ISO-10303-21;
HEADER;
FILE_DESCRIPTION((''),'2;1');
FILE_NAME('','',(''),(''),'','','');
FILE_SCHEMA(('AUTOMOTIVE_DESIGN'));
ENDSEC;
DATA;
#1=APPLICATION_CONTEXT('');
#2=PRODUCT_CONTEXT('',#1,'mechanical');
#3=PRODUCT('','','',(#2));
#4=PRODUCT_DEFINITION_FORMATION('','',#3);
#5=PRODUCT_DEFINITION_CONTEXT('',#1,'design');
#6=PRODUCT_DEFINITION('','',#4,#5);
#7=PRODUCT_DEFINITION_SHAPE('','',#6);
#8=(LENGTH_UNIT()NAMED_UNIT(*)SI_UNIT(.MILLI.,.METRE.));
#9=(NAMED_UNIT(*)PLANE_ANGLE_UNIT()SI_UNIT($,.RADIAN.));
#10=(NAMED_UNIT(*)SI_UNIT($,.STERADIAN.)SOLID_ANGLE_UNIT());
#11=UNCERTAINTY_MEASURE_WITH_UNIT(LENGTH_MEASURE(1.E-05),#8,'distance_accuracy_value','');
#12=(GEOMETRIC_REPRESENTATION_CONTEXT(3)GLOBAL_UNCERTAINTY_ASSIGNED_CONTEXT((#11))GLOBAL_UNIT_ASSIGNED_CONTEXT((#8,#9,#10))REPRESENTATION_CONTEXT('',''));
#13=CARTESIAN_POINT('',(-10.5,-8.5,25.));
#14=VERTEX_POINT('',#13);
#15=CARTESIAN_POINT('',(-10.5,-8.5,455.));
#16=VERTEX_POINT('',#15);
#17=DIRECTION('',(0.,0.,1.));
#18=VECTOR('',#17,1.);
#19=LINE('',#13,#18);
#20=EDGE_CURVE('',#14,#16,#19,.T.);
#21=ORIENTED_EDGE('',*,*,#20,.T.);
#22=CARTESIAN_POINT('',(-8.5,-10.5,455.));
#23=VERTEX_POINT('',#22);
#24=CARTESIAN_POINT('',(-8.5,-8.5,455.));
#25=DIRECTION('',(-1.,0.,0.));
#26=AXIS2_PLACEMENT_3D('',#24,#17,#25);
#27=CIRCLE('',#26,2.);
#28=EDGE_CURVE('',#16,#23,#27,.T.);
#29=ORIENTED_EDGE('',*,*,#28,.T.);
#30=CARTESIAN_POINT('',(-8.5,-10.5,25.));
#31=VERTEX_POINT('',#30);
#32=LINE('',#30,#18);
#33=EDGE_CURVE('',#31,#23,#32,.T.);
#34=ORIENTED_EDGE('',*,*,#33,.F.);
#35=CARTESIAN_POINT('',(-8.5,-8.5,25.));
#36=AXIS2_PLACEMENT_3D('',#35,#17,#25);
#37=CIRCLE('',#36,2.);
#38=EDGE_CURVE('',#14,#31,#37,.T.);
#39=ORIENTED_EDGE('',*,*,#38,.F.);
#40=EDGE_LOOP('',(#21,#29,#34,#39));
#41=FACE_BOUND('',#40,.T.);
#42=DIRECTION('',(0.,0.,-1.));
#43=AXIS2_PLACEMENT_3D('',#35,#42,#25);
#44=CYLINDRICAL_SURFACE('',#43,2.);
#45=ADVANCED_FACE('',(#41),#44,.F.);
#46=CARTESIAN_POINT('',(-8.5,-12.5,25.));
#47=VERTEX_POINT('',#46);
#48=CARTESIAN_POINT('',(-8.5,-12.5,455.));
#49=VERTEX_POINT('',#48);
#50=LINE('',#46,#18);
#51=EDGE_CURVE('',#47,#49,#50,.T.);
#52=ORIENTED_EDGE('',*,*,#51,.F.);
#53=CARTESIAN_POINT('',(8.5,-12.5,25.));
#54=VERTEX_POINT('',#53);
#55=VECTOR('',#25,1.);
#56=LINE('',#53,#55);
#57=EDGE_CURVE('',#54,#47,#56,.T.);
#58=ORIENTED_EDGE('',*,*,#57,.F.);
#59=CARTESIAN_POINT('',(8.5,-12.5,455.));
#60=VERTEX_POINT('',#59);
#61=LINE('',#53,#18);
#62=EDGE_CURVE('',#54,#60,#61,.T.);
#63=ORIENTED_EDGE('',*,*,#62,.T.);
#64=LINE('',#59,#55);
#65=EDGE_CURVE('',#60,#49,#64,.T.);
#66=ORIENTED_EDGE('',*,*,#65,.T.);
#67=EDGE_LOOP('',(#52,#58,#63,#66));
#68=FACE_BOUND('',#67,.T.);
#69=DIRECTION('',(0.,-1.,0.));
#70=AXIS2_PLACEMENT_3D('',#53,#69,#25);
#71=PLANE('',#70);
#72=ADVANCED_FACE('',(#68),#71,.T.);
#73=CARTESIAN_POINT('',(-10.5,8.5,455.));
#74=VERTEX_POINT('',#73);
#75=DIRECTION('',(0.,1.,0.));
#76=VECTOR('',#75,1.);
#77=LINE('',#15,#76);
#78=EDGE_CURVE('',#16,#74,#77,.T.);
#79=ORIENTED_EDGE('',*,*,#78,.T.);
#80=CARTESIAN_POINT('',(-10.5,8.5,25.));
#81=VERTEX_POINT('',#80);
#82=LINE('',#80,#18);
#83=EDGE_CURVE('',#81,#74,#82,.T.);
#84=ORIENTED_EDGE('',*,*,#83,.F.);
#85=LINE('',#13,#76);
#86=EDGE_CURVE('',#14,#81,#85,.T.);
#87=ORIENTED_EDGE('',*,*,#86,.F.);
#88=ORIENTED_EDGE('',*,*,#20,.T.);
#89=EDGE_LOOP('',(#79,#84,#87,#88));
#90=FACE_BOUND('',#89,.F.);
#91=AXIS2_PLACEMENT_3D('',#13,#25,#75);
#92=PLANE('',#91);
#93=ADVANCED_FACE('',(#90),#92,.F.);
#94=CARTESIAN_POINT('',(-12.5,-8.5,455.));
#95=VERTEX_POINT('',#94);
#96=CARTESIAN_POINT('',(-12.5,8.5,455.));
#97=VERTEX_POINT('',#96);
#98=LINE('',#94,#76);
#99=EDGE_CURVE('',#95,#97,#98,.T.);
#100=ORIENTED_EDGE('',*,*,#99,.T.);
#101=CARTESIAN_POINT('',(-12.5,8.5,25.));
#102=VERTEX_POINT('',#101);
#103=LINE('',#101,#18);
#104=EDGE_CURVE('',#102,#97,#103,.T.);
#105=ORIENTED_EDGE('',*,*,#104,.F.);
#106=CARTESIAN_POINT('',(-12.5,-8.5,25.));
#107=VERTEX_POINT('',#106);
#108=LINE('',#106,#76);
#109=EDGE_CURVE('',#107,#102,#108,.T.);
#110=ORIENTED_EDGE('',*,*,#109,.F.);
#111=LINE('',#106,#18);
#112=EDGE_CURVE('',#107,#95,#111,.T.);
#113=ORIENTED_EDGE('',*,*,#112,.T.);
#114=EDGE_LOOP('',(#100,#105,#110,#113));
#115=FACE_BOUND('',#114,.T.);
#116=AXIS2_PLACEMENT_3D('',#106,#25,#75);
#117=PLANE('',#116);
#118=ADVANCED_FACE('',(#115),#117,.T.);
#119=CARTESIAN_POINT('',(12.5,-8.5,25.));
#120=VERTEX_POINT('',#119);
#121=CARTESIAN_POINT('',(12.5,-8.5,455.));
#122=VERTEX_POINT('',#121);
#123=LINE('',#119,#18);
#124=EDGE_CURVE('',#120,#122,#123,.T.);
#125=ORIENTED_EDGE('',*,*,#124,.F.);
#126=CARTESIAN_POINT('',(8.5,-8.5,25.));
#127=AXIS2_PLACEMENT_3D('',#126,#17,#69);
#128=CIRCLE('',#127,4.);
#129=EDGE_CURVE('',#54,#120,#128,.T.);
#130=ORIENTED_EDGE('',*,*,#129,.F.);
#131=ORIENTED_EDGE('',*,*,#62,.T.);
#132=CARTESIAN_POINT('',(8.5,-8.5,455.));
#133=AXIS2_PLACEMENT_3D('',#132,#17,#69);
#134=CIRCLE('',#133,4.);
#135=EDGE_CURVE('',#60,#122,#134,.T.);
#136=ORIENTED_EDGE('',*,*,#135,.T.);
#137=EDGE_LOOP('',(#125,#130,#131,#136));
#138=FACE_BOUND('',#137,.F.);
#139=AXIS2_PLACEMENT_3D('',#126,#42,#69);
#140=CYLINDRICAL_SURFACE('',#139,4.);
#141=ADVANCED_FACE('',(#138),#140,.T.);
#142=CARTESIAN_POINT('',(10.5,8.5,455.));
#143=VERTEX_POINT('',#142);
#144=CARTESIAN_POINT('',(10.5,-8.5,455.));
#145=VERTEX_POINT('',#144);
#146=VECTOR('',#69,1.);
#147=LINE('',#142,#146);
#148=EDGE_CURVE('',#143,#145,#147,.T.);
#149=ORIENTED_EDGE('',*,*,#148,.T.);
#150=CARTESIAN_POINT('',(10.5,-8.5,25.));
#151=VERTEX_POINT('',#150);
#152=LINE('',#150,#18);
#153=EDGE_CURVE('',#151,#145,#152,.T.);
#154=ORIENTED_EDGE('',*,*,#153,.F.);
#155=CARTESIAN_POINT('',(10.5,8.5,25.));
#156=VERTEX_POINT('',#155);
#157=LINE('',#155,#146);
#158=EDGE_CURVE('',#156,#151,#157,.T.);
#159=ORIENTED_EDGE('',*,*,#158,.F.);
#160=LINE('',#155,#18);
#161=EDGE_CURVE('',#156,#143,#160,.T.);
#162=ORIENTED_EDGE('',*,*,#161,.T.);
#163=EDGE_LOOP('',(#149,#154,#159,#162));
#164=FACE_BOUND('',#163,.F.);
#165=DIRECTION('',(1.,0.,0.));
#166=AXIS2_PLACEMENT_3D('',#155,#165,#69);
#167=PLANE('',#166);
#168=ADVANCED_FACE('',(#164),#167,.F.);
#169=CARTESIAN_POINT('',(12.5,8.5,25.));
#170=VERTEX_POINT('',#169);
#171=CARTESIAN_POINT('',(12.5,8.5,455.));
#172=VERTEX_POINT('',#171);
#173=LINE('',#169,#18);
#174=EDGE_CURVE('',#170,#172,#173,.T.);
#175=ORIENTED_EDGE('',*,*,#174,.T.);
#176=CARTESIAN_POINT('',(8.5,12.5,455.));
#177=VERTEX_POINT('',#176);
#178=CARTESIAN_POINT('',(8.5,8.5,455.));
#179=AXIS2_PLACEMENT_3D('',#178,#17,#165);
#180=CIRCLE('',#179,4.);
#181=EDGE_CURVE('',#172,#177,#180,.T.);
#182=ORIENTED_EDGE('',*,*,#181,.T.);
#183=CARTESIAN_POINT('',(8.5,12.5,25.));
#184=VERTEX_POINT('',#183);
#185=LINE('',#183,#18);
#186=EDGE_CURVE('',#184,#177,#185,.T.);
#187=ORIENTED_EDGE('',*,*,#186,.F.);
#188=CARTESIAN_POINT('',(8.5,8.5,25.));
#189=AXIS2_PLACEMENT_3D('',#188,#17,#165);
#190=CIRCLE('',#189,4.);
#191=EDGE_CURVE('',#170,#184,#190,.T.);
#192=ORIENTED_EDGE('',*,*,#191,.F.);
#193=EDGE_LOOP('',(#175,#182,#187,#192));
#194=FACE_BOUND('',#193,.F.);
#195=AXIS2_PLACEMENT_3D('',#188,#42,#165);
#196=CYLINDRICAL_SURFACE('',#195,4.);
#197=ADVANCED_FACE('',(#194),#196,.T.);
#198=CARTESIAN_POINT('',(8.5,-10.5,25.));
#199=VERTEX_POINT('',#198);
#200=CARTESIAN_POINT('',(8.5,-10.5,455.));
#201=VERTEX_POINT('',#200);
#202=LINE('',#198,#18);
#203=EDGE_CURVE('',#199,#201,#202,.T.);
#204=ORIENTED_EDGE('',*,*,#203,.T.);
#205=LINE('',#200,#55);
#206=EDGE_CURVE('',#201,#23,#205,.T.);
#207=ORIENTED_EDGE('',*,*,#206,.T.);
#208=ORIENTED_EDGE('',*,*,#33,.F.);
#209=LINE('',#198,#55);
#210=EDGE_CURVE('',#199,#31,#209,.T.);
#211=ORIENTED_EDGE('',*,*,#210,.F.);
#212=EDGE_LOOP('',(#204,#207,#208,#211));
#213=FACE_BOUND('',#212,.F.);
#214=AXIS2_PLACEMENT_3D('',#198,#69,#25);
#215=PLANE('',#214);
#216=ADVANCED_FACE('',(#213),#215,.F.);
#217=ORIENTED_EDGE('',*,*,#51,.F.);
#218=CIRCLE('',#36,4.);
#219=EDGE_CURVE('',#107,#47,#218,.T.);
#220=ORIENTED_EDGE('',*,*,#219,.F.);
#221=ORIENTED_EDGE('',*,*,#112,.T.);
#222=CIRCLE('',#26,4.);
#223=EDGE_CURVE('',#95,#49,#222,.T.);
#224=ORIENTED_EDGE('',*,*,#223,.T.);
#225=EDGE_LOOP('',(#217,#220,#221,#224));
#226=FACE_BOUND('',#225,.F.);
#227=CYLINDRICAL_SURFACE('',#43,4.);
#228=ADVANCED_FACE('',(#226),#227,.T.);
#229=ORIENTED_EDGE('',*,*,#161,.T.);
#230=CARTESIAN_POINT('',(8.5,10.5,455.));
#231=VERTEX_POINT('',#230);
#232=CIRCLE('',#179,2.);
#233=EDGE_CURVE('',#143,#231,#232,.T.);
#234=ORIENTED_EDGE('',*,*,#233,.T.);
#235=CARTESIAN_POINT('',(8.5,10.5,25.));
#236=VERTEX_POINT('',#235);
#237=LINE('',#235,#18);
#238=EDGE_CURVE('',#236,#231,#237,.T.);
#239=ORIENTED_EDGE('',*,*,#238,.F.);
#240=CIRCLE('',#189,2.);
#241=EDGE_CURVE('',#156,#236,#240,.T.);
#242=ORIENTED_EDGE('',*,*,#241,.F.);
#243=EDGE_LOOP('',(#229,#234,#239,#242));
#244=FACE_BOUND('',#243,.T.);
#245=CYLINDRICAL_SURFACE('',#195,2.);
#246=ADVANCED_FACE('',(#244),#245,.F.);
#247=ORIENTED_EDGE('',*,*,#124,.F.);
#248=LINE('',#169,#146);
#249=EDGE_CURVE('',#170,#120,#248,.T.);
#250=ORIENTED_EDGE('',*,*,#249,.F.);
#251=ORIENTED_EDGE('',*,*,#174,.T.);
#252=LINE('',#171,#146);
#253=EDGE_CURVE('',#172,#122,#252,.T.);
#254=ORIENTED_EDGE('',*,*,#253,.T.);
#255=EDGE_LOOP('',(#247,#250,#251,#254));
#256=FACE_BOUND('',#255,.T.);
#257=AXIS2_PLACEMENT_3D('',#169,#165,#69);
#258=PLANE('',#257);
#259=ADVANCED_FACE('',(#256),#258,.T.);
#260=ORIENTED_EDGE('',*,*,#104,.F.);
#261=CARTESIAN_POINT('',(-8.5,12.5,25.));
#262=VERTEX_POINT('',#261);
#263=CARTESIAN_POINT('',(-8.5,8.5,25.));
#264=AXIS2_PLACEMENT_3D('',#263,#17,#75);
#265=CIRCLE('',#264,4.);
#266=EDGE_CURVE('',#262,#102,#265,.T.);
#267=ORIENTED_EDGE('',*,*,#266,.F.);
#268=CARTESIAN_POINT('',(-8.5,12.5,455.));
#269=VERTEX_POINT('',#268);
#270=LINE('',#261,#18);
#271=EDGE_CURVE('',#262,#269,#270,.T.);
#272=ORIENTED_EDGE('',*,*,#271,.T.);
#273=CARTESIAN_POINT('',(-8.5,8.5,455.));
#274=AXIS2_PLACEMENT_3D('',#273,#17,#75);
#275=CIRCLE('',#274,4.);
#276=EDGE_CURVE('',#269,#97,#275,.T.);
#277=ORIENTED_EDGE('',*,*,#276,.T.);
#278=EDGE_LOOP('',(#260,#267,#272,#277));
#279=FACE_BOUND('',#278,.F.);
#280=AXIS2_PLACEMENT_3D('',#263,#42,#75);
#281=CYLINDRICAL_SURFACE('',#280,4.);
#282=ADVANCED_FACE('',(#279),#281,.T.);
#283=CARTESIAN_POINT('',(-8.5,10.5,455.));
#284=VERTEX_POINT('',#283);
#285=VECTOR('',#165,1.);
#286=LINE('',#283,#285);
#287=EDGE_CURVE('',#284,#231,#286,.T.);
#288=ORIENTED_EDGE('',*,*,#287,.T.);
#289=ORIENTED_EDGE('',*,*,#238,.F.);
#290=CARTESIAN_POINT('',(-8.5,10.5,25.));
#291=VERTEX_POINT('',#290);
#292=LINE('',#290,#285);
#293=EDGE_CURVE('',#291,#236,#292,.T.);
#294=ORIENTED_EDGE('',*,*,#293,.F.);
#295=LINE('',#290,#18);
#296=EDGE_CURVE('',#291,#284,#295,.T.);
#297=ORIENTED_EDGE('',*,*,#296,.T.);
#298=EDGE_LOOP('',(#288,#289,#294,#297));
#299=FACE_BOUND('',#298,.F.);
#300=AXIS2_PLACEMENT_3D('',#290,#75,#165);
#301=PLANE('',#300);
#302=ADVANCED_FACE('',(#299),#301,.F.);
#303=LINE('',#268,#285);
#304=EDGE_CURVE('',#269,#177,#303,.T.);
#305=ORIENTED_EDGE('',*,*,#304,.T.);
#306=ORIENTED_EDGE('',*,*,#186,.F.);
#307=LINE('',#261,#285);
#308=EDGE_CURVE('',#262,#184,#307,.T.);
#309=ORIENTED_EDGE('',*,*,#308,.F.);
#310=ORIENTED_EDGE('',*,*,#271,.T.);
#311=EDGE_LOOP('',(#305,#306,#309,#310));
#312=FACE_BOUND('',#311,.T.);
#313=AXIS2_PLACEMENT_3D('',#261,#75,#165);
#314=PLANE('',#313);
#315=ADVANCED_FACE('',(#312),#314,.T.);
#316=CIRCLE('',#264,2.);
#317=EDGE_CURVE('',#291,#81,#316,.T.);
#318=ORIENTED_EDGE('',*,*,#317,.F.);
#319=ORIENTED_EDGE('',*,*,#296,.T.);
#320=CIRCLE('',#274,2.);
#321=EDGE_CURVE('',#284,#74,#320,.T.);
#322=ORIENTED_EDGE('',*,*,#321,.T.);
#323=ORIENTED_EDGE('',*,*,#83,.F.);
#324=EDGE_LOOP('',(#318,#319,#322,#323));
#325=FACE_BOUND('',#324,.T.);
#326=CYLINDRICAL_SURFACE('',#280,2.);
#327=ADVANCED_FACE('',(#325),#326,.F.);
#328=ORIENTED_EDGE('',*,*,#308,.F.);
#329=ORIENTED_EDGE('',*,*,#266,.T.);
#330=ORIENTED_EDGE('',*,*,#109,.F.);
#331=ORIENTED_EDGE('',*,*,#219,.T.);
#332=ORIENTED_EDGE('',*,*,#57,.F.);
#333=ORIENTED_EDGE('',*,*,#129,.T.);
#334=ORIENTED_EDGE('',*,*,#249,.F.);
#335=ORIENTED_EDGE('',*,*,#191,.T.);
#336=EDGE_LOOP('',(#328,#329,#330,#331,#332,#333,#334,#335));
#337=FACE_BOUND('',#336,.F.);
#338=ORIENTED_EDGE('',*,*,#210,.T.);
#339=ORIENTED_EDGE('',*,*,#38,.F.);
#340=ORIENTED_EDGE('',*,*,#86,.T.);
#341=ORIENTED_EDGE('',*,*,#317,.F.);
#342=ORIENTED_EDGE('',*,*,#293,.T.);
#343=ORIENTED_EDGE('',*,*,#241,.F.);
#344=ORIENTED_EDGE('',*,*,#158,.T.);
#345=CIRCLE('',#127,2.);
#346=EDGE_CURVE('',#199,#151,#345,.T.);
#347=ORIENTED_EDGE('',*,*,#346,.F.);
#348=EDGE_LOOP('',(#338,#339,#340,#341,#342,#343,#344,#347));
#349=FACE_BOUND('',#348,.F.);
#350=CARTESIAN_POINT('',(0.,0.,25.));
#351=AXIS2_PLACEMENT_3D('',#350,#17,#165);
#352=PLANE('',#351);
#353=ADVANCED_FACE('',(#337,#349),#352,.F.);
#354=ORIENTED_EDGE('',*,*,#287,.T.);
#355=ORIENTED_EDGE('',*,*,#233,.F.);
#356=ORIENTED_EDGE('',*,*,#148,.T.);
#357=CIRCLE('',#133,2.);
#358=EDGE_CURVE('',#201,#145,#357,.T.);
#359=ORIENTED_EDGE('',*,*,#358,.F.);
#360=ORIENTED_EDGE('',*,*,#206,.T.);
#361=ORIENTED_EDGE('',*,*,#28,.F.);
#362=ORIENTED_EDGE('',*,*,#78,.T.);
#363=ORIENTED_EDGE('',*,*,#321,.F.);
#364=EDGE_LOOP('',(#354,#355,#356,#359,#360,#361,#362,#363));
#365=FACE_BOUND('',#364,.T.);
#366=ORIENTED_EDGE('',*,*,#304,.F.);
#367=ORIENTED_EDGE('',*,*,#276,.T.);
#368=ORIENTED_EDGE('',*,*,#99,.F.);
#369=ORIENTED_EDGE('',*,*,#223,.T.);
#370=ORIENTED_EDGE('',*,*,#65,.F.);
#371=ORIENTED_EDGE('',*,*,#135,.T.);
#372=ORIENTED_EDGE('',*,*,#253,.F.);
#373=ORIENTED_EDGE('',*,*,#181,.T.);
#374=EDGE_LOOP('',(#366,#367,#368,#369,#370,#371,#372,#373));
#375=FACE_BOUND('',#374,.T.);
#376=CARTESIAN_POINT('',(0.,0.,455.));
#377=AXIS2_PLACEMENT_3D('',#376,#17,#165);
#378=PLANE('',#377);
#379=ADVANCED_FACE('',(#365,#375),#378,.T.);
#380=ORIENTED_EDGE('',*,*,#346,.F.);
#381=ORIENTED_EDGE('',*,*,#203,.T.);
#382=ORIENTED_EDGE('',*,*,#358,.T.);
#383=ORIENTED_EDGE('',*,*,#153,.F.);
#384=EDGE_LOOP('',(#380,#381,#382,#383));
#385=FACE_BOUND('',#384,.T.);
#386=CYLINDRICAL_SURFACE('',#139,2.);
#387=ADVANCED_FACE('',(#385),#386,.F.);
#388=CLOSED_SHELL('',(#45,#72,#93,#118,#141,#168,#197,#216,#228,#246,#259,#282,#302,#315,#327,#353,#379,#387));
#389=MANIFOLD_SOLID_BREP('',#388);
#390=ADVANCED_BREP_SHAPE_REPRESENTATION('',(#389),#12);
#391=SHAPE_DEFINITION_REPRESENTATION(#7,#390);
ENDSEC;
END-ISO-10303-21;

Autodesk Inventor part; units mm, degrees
ref_plane "Start plane" through (0, 0, 25) normal (0, 0, 1) x (1, 0, 0)
ref_plane "End plane" through (0, 0, 455) normal (0, 0, 1) x (1, 0, 0)
sketch "Sketch" plane through (0, 0, 0) normal (0, 0, 1) x (1, 0, 0)
  line L0 (-12.5, -8.5) -> (-12.5, 8.5)
  line L1 (-8.5, 12.5) -> (8.5, 12.5)
  line L2 (12.5, 8.5) -> (12.5, -8.5)
  line L3 (8.5, -12.5) -> (-8.5, -12.5)
  arc A0 (-12.5, -8.5) -> (-8.5, -12.5) centre (-8.5, -8.5) ccw
  arc A1 (12.5, 8.5) -> (8.5, 12.5) centre (8.5, 8.5) ccw
  arc A2 (-8.5, 12.5) -> (-12.5, 8.5) centre (-8.5, 8.5) ccw
  arc A3 (8.5, -12.5) -> (12.5, -8.5) centre (8.5, -8.5) ccw
  arc A4 (-8.5, 10.5) -> (-10.5, 8.5) centre (-8.5, 8.5) ccw
  line L4 (-8.5, 10.5) -> (8.5, 10.5)
  arc A5 (10.5, 8.5) -> (8.5, 10.5) centre (8.5, 8.5) ccw
  line L5 (10.5, 8.5) -> (10.5, -8.5)
  arc A6 (8.5, -10.5) -> (10.5, -8.5) centre (8.5, -8.5) ccw
  line L6 (8.5, -10.5) -> (-8.5, -10.5)
  arc A7 (-10.5, -8.5) -> (-8.5, -10.5) centre (-8.5, -8.5) ccw
  line L7 (-10.5, -8.5) -> (-10.5, 8.5)
  line L8 (0, 18.6598) -> (0, -18.6598) construction
  line L9 (-18.6598, 0) -> (18.6598, 0) construction
  dimension "d7" = 4
  dimension "d9" = 25
  dimension "d11" = 25
  dimension "d12" = 2
  dimension "d15" = 12.5
  dimension "d16" = 12.5
extrude "Body" add sketch "Sketch" along normal up to surface (430 mm away) from surface at 25
sketch "Sketch3" plane through (0, 0, 0) normal (0, 0, 1) x (1, 0, 0)
  line L0 (0, 0) -> (10, 0)
ref_plane "Work Plane3" through (0, 0, 0) normal (0, -1, 0) x (1, 0, 0)
sketch "Sketch4" plane through (0, 0, 0) normal (0, -1, 0) x (1, 0, 0)
  line L0 (-2, 25) -> (12, 25)
  line L1 (-2, 455) -> (12, 455)
  dimension "d18" = 430
ref_plane "Work Plane4" through (-8.5, 396.5, 25) normal (0, 0, -1) x (-1, 0, 0)
split "Split1" plane through (-8.5, 396.5, 25) removes the side toward (0, 0, -1)
ref_plane "Work Plane5" through (-27.5, 392.5, 455) normal (0, 0, 1) x (1, 0, 0)
split "Split2" plane through (-27.5, 392.5, 455) removes the side toward (0, 0, 1)
equation "\"d7\" = G_IR"
equation "\"d9\" = G_W"
equation "\"d11\" = G_H"
equation "\"d12\" = G_T"
equation "\"d15\" = 0.5 * d9"
equation "\"d16\" = 0.5 * d11"
equation "\"d3\" = G_L"
equation "\"G_W\" = 25"
equation "\"G_H\" = 25"
equation "\"G_T\" = 2"
equation "\"G_IR\" = 4"
equation "\"G_L\" = d18"
equation "\"G_OFFSET_START\" = -25"
equation "\"G_OFFSET_END\" = -25"
equation "\"d13\" = -G_OFFSET_START"
equation "\"d14\" = G_OFFSET_END + B_L"
equation "\"B_L\" = 480"
properties part number "ISO 4019 - 25x25x2 - 430" material "Steel, Mild"
